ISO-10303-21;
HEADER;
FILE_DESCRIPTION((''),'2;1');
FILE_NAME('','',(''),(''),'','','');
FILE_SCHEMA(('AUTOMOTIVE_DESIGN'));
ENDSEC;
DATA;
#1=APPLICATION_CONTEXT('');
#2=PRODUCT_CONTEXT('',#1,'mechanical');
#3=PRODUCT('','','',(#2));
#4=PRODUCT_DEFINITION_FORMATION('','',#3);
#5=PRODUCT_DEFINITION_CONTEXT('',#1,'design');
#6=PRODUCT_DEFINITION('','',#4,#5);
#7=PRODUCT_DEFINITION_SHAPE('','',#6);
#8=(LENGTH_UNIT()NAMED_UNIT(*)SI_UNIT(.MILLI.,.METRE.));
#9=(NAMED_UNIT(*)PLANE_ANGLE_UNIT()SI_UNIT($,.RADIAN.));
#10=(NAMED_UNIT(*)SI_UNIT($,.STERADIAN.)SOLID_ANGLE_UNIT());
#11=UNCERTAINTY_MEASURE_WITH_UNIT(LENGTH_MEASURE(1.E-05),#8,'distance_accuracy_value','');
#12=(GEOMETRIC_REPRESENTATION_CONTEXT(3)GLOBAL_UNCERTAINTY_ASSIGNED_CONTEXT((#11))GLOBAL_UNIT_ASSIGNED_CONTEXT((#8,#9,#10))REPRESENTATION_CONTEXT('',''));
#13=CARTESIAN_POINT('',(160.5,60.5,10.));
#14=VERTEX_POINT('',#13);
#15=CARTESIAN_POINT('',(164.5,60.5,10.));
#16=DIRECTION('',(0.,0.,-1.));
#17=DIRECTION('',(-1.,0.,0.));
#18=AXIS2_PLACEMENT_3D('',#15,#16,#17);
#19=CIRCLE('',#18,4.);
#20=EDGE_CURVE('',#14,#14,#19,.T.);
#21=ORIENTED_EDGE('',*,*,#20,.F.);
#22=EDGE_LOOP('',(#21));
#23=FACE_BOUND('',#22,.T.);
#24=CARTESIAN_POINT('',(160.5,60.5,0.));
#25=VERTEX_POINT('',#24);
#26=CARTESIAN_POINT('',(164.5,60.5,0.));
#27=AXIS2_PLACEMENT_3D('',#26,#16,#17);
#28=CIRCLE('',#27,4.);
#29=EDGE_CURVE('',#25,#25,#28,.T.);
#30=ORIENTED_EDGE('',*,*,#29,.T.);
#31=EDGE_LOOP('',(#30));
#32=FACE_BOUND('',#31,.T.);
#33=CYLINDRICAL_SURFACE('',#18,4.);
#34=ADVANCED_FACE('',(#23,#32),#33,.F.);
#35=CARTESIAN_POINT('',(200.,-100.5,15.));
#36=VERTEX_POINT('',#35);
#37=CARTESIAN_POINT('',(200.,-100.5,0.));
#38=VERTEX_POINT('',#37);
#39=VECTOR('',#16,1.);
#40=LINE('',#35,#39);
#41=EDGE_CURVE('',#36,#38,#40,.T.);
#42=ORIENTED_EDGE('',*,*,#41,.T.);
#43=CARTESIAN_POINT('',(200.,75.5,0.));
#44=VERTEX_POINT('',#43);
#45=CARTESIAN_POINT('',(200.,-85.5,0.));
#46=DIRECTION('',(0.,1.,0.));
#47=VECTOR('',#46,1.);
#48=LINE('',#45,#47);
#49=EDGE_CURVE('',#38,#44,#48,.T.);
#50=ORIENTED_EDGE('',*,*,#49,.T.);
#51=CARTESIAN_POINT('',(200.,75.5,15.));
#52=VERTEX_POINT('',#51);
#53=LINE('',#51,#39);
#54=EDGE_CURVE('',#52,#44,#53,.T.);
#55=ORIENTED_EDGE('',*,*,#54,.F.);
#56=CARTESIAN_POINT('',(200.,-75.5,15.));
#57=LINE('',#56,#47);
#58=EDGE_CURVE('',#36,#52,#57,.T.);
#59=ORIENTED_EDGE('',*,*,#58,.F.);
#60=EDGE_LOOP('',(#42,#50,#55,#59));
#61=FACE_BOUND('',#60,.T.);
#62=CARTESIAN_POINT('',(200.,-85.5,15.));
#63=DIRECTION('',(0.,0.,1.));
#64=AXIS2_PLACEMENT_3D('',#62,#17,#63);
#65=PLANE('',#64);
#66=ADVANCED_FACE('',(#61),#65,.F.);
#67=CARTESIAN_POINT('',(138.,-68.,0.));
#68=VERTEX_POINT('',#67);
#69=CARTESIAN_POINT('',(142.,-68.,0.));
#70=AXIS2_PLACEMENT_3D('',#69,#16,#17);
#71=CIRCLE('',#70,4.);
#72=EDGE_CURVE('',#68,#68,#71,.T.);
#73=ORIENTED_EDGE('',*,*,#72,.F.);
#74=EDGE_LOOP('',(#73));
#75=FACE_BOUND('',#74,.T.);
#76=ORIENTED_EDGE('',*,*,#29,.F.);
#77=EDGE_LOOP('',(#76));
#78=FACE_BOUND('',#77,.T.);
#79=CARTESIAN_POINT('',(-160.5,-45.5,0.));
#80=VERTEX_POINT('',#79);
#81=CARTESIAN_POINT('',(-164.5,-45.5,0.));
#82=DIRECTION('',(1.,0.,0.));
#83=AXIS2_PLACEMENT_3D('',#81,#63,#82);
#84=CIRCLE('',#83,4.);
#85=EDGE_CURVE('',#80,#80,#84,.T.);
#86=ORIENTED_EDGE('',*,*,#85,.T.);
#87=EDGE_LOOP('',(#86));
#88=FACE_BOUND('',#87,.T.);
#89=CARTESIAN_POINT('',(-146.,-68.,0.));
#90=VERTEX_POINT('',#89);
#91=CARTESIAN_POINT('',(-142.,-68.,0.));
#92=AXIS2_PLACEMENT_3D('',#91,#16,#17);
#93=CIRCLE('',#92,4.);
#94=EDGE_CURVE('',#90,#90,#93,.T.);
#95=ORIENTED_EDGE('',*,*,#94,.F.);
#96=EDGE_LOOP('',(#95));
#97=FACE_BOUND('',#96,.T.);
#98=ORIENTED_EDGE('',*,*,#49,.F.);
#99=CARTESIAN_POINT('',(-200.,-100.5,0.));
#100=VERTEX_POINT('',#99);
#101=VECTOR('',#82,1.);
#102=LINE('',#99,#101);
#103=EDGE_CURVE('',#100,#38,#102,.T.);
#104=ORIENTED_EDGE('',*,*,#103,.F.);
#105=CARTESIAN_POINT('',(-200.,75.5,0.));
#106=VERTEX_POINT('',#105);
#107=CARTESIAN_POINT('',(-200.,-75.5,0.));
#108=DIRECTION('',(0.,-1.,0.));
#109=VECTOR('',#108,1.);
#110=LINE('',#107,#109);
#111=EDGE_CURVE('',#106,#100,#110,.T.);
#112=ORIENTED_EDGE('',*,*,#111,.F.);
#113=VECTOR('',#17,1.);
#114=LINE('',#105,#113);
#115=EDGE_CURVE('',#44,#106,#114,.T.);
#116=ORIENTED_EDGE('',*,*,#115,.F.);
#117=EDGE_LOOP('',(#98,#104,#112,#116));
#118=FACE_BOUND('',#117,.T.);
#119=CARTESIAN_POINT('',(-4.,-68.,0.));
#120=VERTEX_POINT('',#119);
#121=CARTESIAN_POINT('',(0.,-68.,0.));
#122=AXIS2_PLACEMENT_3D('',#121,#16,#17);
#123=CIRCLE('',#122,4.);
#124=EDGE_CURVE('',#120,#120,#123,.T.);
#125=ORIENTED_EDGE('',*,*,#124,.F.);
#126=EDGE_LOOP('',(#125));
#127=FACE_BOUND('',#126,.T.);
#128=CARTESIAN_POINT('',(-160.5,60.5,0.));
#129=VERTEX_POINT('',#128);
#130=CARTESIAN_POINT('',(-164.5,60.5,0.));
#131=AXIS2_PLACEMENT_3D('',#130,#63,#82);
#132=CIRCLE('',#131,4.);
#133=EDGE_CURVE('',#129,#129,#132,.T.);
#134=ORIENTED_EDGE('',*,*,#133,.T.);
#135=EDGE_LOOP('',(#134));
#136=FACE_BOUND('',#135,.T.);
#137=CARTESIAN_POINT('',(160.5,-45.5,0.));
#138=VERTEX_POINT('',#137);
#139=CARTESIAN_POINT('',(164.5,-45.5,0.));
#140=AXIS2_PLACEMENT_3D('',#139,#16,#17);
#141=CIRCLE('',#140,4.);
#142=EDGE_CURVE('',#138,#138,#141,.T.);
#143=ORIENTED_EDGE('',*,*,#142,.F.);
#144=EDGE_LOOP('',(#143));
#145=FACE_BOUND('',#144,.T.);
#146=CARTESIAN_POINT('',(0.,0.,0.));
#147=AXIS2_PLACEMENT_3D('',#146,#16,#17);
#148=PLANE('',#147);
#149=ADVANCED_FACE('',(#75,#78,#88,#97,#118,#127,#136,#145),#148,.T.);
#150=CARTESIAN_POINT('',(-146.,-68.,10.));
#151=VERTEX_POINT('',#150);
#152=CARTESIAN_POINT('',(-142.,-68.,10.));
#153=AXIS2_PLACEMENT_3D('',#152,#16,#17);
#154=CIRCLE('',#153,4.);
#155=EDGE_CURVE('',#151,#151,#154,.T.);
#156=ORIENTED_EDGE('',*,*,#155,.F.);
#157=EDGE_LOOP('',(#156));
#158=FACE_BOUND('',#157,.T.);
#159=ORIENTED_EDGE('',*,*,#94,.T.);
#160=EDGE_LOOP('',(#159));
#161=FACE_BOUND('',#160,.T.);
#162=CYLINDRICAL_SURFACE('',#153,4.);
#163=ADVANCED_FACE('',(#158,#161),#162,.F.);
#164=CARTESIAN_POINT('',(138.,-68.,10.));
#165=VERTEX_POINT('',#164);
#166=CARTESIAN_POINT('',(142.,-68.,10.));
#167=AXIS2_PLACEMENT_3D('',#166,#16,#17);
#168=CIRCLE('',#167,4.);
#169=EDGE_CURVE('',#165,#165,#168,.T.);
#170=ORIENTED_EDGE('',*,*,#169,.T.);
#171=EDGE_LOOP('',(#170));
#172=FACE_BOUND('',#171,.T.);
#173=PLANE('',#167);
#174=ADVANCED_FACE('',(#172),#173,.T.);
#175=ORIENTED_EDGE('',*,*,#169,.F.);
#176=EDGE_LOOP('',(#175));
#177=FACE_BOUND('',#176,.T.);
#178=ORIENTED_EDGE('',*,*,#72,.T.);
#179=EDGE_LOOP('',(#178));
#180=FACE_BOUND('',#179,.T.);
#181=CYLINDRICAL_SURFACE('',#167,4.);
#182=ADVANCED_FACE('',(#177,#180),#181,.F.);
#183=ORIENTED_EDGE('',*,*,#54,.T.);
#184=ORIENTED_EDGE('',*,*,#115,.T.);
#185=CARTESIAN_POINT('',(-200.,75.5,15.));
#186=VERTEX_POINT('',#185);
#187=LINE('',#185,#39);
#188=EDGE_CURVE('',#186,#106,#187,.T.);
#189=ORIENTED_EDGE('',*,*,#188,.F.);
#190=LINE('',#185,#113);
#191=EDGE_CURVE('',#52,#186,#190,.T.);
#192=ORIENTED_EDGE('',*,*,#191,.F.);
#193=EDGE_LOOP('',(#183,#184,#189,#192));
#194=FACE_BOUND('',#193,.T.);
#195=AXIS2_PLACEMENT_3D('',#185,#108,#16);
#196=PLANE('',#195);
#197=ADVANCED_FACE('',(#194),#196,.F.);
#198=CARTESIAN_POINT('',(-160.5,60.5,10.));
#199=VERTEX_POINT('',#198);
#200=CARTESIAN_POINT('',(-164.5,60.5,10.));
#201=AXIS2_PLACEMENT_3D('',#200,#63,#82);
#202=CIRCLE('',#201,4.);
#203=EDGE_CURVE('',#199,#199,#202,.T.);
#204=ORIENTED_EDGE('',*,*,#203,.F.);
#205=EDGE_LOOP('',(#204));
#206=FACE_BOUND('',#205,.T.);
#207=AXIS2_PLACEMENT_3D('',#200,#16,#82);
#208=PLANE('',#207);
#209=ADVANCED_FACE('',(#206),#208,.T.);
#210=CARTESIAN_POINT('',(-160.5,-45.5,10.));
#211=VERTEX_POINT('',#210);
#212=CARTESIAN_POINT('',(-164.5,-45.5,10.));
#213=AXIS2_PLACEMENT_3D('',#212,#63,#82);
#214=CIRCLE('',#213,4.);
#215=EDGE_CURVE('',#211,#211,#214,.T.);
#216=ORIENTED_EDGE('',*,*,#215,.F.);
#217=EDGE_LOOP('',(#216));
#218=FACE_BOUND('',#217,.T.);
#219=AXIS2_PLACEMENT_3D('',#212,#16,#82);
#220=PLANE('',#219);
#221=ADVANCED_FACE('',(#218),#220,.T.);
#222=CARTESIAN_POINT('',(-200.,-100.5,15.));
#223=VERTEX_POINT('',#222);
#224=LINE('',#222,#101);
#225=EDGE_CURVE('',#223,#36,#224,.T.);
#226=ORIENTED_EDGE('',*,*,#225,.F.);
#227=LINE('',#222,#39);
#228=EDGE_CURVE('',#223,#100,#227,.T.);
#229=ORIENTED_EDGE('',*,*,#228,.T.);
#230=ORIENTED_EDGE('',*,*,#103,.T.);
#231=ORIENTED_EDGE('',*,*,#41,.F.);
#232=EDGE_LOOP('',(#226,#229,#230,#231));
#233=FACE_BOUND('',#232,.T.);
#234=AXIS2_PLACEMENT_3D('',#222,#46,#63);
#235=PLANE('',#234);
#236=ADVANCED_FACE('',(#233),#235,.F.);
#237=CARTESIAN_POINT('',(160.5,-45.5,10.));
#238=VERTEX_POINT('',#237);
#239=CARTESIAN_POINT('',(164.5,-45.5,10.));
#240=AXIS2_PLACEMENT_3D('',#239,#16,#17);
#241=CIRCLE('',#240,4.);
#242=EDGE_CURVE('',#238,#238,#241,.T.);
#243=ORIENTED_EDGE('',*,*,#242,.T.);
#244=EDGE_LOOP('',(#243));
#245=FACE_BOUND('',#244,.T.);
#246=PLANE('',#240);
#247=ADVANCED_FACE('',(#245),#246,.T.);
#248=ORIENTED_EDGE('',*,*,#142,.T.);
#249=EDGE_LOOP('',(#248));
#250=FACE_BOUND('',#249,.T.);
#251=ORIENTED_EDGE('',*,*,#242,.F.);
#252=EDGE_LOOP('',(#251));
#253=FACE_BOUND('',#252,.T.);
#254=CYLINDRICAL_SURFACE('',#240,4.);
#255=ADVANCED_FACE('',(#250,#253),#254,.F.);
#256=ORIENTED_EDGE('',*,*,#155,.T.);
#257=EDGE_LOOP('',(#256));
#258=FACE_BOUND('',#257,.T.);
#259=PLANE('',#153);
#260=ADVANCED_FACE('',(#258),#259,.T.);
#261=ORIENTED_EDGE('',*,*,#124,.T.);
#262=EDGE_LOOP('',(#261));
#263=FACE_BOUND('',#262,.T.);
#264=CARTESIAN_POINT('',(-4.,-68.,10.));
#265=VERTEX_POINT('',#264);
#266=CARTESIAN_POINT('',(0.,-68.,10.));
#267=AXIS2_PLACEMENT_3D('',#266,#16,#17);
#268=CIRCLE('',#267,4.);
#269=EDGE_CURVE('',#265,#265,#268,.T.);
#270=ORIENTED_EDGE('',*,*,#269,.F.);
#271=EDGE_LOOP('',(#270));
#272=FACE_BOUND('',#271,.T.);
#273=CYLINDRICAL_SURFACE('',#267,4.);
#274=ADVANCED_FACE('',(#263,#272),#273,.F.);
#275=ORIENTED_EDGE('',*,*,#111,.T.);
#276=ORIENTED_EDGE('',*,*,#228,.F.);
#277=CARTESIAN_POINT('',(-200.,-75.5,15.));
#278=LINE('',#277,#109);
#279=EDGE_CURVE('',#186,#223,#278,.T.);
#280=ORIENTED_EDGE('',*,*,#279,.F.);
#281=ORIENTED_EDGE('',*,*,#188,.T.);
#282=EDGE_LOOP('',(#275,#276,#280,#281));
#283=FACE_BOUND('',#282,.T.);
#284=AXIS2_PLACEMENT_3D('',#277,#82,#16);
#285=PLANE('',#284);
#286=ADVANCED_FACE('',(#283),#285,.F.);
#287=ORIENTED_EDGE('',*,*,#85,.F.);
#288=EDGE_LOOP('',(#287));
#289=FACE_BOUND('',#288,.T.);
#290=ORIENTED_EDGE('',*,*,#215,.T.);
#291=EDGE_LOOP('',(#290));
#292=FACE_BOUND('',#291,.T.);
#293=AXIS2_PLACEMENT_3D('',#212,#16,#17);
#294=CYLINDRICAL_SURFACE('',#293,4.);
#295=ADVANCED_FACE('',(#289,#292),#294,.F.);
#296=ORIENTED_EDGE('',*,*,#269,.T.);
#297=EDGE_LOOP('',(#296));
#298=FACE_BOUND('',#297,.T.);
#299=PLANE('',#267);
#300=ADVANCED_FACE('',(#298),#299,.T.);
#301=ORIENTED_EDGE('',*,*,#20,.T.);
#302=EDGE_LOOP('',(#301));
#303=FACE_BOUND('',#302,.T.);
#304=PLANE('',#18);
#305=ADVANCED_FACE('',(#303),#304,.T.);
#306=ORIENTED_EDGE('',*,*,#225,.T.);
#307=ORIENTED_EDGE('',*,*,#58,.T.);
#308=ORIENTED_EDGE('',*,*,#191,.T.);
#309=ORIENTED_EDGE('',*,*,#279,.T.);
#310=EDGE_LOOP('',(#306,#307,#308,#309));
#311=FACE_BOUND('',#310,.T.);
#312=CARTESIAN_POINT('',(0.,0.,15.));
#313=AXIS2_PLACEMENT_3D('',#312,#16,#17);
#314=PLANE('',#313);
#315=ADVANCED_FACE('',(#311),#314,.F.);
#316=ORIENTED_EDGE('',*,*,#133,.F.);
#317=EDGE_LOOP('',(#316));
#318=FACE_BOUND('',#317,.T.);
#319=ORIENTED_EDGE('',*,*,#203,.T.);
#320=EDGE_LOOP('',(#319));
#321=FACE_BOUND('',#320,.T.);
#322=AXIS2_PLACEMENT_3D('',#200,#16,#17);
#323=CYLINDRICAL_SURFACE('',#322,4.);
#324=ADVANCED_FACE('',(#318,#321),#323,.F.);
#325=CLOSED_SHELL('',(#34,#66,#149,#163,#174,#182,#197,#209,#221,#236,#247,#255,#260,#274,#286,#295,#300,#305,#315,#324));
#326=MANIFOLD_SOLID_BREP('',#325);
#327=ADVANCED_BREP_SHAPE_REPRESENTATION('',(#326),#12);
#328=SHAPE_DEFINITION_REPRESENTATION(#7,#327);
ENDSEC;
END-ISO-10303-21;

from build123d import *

# Parameters (mm, degrees)
BOSS_EXTRUDE1_DEPTH     = 15
SKETCH2_R               = 4
CUT_EXTRUDE1_DEPTH      = 10
LPATTERN1_COUNT         = 3
LPATTERN1_PITCH         = 142
SKETCH3_R               = 4
CUT_EXTRUDE2_DEPTH      = 10
LPATTERN2_COUNT         = 2
LPATTERN2_PITCH         = 106
MIRROR1_COPY_1_SKETCH_R = 4
MIRROR1_COPY_1_DEPTH    = 10
SKETCH4_W               = 400
SKETCH4_H               = 15
BOSS_EXTRUDE2_DEPTH     = 15


with BuildPart() as part:
    # Sketch1 → Boss-Extrude1 (new body)
    with BuildSketch(Plane.XY):
        Polygon((-200, -75.5), (-200, -85.5), (200, -85.5), (200, -75.5), (200, 75.5), (-200, 75.5), align=None)
    extrude(amount=BOSS_EXTRUDE1_DEPTH)

    # Sketch2 → Cut-Extrude1 (cut)
    with BuildSketch(Plane(origin=(0, 0, 0), x_dir=(-1, 0, 0), z_dir=(0, 0, -1))):
        with Locations((-142, -68)):
            Circle(SKETCH2_R)
    cut_extrude1 = extrude(amount=-CUT_EXTRUDE1_DEPTH, mode=Mode.SUBTRACT)

    # LPattern1: Cut-Extrude1 ×3
    with Locations(*[(-i * LPATTERN1_PITCH, 0, 0) for i in range(1, LPATTERN1_COUNT)]):
        add(cut_extrude1, mode=Mode.SUBTRACT)

    # Sketch3 → Cut-Extrude2 (cut)
    with BuildSketch(Plane(origin=(0, 0, 0), x_dir=(-1, 0, 0), z_dir=(0, 0, -1))):
        with Locations((-164.5, 60.5)):
            Circle(SKETCH3_R)
    cut_extrude2 = extrude(amount=-CUT_EXTRUDE2_DEPTH, mode=Mode.SUBTRACT)

    # LPattern2: Cut-Extrude2 ×2
    with Locations(*[(0, -i * LPATTERN2_PITCH, 0) for i in range(1, LPATTERN2_COUNT)]):
        add(cut_extrude2, mode=Mode.SUBTRACT)

    # Mirror1: Cut-Extrude2 across plane
    add(cut_extrude2.mirror(Plane(origin=(0, 0, 0), x_dir=(0, 0, 1), z_dir=(1, 0, 0))), mode=Mode.SUBTRACT)

    # Mirror1 copy 1 sketch → Mirror1 copy 1 (cut)
    with BuildSketch(Plane(origin=(0, -106, 0), x_dir=(1, 0, 0), z_dir=(0, 0, -1))):
        with Locations((-164.5, -60.5)):
            Circle(MIRROR1_COPY_1_SKETCH_R)
    extrude(amount=-MIRROR1_COPY_1_DEPTH, mode=Mode.SUBTRACT)

    # Sketch4 → Boss-Extrude2 (add)
    with BuildSketch(Plane.XY):
        with Locations((0, -93)):
            Rectangle(SKETCH4_W, SKETCH4_H)
    extrude(amount=BOSS_EXTRUDE2_DEPTH)


solid = part.part
